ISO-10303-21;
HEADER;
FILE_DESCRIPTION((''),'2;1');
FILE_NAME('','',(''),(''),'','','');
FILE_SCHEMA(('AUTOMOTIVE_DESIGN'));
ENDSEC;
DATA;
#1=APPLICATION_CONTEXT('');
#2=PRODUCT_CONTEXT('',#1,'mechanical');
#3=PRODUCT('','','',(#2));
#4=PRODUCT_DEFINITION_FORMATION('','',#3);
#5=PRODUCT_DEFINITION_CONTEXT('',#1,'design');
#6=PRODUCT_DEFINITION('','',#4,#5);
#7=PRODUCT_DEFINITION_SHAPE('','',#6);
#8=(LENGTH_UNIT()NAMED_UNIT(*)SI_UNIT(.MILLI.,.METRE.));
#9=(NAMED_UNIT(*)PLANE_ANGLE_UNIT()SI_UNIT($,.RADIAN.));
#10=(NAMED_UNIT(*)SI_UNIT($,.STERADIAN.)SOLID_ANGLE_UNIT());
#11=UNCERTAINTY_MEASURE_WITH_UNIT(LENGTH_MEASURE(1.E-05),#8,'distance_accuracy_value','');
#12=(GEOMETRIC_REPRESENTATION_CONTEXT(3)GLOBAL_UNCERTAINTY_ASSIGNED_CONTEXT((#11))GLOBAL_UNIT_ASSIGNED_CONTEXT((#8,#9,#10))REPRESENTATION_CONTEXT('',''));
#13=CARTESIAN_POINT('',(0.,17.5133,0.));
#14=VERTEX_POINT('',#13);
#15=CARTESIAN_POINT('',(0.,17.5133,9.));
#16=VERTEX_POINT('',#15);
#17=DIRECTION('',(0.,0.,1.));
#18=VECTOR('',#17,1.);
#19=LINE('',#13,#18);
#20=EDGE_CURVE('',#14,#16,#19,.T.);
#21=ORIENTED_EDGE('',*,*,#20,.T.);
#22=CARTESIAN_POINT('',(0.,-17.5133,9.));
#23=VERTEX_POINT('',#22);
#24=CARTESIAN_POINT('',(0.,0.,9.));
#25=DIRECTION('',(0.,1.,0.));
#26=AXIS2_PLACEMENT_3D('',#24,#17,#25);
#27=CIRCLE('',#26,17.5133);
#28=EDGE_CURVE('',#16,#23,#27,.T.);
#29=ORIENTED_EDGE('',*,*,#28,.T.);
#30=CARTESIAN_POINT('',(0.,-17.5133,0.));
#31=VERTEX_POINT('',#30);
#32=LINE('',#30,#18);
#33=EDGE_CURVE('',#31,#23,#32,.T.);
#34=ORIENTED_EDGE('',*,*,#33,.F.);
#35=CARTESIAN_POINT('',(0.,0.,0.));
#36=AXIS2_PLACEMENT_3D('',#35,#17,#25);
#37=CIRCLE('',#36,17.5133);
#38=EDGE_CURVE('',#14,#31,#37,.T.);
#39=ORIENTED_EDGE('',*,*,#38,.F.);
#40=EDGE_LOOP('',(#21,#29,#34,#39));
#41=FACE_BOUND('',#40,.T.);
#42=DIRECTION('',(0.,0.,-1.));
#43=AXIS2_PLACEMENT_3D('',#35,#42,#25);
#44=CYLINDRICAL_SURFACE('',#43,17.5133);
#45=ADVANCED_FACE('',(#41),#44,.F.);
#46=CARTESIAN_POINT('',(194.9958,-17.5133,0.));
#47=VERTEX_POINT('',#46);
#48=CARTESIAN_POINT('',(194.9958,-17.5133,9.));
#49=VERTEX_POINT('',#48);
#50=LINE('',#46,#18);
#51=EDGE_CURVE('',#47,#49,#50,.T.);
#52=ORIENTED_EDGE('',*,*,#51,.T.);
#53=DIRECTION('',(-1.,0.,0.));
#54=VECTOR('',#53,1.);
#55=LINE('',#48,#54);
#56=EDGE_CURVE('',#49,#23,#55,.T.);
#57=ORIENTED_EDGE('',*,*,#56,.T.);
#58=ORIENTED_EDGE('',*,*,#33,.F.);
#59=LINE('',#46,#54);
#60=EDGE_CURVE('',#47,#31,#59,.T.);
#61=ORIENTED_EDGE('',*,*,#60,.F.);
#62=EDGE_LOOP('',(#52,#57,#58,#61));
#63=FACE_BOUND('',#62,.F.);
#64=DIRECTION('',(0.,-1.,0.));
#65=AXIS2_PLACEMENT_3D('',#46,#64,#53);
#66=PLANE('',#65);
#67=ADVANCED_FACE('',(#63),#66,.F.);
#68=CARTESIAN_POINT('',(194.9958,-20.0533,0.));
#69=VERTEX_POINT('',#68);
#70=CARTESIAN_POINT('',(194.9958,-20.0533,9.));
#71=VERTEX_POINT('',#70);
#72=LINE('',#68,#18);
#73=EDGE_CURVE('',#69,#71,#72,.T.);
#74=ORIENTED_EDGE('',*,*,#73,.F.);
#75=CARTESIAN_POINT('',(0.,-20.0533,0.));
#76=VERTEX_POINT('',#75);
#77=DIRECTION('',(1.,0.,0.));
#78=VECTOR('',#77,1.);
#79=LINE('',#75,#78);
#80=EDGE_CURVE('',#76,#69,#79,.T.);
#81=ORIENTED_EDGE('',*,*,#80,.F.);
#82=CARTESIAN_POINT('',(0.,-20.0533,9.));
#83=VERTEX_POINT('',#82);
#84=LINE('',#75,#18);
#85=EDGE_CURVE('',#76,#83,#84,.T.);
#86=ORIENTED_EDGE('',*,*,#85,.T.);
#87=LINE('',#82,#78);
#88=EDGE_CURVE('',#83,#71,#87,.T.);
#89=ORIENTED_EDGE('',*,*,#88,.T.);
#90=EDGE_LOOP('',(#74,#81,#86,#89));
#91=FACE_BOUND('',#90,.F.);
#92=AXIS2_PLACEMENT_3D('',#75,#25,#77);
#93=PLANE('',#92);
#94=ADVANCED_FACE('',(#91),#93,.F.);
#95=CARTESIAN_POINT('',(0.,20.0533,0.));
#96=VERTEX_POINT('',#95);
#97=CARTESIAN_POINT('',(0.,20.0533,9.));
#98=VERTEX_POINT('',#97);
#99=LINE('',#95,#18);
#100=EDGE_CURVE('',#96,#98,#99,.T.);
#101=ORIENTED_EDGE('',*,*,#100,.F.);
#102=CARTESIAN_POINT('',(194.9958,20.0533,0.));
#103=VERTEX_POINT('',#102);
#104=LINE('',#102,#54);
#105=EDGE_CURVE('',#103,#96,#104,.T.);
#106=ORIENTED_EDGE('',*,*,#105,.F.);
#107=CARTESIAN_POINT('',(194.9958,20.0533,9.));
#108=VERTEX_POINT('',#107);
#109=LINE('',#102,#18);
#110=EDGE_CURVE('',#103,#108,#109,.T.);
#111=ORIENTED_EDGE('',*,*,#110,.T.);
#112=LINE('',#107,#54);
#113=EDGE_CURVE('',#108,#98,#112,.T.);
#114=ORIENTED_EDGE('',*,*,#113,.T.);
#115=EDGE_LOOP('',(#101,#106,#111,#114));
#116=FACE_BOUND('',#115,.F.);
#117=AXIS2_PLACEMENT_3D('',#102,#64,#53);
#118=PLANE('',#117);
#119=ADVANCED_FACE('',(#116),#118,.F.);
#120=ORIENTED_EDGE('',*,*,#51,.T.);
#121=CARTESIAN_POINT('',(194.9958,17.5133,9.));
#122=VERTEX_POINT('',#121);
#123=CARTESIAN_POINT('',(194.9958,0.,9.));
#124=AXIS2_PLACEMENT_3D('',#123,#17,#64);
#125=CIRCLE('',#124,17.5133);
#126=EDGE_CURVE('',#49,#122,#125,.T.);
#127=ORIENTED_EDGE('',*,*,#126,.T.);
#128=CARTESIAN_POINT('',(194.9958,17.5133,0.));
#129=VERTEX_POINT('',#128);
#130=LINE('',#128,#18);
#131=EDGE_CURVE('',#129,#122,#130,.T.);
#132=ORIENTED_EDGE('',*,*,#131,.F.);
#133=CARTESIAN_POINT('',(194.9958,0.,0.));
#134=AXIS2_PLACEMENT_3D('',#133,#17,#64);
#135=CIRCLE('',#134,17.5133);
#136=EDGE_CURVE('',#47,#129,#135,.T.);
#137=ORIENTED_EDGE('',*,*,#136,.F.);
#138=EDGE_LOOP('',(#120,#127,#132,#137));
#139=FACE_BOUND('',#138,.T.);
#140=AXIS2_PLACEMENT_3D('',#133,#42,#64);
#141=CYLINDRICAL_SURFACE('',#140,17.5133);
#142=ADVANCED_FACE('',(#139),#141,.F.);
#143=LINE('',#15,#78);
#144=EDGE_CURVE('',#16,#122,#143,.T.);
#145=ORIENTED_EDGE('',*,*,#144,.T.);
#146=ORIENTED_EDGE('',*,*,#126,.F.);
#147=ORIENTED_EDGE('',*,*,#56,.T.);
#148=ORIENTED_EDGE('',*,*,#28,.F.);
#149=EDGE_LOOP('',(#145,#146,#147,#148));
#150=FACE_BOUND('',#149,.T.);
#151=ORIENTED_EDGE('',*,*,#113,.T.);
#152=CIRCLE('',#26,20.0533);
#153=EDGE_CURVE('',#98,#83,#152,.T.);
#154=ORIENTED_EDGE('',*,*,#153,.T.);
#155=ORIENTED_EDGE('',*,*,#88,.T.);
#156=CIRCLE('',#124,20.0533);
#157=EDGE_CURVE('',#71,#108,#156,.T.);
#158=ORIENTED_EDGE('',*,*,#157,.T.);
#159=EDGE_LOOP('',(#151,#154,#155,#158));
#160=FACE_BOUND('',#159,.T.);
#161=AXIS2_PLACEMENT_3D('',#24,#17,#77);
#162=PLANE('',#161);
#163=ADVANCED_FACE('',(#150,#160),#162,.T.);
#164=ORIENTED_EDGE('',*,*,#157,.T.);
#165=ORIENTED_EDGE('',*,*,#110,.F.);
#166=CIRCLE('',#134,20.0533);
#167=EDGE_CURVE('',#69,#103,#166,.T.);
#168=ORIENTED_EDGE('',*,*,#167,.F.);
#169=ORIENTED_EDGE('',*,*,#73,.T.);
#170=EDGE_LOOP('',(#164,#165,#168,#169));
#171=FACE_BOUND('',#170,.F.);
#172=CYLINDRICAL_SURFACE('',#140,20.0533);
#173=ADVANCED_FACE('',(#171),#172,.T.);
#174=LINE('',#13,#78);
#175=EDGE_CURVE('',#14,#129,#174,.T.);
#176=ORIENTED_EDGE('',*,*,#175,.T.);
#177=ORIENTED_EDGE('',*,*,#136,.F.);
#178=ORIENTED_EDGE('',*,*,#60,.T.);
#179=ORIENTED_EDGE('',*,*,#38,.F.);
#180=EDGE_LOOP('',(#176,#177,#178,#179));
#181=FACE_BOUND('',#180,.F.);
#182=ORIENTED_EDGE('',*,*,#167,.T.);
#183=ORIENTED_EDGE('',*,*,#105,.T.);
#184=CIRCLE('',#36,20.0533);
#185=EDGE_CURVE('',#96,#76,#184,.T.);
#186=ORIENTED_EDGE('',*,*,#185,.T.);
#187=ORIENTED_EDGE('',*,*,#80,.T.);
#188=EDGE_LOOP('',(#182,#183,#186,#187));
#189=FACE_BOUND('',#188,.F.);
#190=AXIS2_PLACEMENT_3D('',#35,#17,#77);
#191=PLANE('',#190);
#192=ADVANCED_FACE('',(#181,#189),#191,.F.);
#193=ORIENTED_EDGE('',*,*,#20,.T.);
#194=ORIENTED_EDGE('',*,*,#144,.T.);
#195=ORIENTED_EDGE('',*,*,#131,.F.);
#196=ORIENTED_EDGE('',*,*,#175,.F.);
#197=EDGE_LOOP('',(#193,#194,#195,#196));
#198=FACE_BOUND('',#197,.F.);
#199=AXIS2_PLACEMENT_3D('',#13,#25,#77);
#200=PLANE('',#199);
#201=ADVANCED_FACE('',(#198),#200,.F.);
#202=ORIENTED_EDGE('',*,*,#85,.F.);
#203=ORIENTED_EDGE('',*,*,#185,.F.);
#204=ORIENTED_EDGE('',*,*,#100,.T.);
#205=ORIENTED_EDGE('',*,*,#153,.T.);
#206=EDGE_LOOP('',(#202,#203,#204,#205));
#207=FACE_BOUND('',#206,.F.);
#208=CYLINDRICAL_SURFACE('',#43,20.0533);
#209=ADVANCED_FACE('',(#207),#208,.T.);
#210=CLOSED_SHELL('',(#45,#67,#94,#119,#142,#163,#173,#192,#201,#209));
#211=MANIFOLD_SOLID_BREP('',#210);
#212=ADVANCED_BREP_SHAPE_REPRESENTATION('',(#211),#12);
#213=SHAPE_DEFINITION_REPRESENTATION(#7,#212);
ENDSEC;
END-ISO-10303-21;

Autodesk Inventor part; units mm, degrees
ref_plane "YZ Plane" through (0, 0, 0) normal (1, 0, 0) x (0, 1, 0)
ref_plane "XZ Plane" through (0, 0, 0) normal (0, 1, 0) x (-1, 0, 0)
ref_plane "XY Plane" through (0, 0, 0) normal (0, 0, 1) x (1, 0, 0)
sketch "Sketch1" plane through (0, 0, 0) normal (0, 0, 1) x (1, 0, 0)
  arc A0 (0, 17.5133) -> (0, -17.5133) centre (0, 0) ccw
  arc A1 (194.9958, -17.5133) -> (194.9958, 17.5133) centre (194.9958, 0) ccw
  line L0 (0, 17.5133) -> (194.9958, 17.5133)
  line L1 (194.9958, -17.5133) -> (0, -17.5133)
  line L2 (194.9958, 20.0533) -> (0, 20.0533)
  arc A2 (0, 20.0533) -> (0, -20.0533) centre (0, 0) ccw
  line L3 (0, -20.0533) -> (194.9958, -20.0533)
  arc A3 (194.9958, -20.0533) -> (194.9958, 20.0533) centre (194.9958, 0) ccw
  dimension "d0" = 35.0266
  dimension "d1" = 194.9958
  dimension "d2" = 2.54
extrude "Extrusion1" add sketch "Sketch1" along normal blind 9
properties part number "INDX_022_SideBelt" material "Rubber"
